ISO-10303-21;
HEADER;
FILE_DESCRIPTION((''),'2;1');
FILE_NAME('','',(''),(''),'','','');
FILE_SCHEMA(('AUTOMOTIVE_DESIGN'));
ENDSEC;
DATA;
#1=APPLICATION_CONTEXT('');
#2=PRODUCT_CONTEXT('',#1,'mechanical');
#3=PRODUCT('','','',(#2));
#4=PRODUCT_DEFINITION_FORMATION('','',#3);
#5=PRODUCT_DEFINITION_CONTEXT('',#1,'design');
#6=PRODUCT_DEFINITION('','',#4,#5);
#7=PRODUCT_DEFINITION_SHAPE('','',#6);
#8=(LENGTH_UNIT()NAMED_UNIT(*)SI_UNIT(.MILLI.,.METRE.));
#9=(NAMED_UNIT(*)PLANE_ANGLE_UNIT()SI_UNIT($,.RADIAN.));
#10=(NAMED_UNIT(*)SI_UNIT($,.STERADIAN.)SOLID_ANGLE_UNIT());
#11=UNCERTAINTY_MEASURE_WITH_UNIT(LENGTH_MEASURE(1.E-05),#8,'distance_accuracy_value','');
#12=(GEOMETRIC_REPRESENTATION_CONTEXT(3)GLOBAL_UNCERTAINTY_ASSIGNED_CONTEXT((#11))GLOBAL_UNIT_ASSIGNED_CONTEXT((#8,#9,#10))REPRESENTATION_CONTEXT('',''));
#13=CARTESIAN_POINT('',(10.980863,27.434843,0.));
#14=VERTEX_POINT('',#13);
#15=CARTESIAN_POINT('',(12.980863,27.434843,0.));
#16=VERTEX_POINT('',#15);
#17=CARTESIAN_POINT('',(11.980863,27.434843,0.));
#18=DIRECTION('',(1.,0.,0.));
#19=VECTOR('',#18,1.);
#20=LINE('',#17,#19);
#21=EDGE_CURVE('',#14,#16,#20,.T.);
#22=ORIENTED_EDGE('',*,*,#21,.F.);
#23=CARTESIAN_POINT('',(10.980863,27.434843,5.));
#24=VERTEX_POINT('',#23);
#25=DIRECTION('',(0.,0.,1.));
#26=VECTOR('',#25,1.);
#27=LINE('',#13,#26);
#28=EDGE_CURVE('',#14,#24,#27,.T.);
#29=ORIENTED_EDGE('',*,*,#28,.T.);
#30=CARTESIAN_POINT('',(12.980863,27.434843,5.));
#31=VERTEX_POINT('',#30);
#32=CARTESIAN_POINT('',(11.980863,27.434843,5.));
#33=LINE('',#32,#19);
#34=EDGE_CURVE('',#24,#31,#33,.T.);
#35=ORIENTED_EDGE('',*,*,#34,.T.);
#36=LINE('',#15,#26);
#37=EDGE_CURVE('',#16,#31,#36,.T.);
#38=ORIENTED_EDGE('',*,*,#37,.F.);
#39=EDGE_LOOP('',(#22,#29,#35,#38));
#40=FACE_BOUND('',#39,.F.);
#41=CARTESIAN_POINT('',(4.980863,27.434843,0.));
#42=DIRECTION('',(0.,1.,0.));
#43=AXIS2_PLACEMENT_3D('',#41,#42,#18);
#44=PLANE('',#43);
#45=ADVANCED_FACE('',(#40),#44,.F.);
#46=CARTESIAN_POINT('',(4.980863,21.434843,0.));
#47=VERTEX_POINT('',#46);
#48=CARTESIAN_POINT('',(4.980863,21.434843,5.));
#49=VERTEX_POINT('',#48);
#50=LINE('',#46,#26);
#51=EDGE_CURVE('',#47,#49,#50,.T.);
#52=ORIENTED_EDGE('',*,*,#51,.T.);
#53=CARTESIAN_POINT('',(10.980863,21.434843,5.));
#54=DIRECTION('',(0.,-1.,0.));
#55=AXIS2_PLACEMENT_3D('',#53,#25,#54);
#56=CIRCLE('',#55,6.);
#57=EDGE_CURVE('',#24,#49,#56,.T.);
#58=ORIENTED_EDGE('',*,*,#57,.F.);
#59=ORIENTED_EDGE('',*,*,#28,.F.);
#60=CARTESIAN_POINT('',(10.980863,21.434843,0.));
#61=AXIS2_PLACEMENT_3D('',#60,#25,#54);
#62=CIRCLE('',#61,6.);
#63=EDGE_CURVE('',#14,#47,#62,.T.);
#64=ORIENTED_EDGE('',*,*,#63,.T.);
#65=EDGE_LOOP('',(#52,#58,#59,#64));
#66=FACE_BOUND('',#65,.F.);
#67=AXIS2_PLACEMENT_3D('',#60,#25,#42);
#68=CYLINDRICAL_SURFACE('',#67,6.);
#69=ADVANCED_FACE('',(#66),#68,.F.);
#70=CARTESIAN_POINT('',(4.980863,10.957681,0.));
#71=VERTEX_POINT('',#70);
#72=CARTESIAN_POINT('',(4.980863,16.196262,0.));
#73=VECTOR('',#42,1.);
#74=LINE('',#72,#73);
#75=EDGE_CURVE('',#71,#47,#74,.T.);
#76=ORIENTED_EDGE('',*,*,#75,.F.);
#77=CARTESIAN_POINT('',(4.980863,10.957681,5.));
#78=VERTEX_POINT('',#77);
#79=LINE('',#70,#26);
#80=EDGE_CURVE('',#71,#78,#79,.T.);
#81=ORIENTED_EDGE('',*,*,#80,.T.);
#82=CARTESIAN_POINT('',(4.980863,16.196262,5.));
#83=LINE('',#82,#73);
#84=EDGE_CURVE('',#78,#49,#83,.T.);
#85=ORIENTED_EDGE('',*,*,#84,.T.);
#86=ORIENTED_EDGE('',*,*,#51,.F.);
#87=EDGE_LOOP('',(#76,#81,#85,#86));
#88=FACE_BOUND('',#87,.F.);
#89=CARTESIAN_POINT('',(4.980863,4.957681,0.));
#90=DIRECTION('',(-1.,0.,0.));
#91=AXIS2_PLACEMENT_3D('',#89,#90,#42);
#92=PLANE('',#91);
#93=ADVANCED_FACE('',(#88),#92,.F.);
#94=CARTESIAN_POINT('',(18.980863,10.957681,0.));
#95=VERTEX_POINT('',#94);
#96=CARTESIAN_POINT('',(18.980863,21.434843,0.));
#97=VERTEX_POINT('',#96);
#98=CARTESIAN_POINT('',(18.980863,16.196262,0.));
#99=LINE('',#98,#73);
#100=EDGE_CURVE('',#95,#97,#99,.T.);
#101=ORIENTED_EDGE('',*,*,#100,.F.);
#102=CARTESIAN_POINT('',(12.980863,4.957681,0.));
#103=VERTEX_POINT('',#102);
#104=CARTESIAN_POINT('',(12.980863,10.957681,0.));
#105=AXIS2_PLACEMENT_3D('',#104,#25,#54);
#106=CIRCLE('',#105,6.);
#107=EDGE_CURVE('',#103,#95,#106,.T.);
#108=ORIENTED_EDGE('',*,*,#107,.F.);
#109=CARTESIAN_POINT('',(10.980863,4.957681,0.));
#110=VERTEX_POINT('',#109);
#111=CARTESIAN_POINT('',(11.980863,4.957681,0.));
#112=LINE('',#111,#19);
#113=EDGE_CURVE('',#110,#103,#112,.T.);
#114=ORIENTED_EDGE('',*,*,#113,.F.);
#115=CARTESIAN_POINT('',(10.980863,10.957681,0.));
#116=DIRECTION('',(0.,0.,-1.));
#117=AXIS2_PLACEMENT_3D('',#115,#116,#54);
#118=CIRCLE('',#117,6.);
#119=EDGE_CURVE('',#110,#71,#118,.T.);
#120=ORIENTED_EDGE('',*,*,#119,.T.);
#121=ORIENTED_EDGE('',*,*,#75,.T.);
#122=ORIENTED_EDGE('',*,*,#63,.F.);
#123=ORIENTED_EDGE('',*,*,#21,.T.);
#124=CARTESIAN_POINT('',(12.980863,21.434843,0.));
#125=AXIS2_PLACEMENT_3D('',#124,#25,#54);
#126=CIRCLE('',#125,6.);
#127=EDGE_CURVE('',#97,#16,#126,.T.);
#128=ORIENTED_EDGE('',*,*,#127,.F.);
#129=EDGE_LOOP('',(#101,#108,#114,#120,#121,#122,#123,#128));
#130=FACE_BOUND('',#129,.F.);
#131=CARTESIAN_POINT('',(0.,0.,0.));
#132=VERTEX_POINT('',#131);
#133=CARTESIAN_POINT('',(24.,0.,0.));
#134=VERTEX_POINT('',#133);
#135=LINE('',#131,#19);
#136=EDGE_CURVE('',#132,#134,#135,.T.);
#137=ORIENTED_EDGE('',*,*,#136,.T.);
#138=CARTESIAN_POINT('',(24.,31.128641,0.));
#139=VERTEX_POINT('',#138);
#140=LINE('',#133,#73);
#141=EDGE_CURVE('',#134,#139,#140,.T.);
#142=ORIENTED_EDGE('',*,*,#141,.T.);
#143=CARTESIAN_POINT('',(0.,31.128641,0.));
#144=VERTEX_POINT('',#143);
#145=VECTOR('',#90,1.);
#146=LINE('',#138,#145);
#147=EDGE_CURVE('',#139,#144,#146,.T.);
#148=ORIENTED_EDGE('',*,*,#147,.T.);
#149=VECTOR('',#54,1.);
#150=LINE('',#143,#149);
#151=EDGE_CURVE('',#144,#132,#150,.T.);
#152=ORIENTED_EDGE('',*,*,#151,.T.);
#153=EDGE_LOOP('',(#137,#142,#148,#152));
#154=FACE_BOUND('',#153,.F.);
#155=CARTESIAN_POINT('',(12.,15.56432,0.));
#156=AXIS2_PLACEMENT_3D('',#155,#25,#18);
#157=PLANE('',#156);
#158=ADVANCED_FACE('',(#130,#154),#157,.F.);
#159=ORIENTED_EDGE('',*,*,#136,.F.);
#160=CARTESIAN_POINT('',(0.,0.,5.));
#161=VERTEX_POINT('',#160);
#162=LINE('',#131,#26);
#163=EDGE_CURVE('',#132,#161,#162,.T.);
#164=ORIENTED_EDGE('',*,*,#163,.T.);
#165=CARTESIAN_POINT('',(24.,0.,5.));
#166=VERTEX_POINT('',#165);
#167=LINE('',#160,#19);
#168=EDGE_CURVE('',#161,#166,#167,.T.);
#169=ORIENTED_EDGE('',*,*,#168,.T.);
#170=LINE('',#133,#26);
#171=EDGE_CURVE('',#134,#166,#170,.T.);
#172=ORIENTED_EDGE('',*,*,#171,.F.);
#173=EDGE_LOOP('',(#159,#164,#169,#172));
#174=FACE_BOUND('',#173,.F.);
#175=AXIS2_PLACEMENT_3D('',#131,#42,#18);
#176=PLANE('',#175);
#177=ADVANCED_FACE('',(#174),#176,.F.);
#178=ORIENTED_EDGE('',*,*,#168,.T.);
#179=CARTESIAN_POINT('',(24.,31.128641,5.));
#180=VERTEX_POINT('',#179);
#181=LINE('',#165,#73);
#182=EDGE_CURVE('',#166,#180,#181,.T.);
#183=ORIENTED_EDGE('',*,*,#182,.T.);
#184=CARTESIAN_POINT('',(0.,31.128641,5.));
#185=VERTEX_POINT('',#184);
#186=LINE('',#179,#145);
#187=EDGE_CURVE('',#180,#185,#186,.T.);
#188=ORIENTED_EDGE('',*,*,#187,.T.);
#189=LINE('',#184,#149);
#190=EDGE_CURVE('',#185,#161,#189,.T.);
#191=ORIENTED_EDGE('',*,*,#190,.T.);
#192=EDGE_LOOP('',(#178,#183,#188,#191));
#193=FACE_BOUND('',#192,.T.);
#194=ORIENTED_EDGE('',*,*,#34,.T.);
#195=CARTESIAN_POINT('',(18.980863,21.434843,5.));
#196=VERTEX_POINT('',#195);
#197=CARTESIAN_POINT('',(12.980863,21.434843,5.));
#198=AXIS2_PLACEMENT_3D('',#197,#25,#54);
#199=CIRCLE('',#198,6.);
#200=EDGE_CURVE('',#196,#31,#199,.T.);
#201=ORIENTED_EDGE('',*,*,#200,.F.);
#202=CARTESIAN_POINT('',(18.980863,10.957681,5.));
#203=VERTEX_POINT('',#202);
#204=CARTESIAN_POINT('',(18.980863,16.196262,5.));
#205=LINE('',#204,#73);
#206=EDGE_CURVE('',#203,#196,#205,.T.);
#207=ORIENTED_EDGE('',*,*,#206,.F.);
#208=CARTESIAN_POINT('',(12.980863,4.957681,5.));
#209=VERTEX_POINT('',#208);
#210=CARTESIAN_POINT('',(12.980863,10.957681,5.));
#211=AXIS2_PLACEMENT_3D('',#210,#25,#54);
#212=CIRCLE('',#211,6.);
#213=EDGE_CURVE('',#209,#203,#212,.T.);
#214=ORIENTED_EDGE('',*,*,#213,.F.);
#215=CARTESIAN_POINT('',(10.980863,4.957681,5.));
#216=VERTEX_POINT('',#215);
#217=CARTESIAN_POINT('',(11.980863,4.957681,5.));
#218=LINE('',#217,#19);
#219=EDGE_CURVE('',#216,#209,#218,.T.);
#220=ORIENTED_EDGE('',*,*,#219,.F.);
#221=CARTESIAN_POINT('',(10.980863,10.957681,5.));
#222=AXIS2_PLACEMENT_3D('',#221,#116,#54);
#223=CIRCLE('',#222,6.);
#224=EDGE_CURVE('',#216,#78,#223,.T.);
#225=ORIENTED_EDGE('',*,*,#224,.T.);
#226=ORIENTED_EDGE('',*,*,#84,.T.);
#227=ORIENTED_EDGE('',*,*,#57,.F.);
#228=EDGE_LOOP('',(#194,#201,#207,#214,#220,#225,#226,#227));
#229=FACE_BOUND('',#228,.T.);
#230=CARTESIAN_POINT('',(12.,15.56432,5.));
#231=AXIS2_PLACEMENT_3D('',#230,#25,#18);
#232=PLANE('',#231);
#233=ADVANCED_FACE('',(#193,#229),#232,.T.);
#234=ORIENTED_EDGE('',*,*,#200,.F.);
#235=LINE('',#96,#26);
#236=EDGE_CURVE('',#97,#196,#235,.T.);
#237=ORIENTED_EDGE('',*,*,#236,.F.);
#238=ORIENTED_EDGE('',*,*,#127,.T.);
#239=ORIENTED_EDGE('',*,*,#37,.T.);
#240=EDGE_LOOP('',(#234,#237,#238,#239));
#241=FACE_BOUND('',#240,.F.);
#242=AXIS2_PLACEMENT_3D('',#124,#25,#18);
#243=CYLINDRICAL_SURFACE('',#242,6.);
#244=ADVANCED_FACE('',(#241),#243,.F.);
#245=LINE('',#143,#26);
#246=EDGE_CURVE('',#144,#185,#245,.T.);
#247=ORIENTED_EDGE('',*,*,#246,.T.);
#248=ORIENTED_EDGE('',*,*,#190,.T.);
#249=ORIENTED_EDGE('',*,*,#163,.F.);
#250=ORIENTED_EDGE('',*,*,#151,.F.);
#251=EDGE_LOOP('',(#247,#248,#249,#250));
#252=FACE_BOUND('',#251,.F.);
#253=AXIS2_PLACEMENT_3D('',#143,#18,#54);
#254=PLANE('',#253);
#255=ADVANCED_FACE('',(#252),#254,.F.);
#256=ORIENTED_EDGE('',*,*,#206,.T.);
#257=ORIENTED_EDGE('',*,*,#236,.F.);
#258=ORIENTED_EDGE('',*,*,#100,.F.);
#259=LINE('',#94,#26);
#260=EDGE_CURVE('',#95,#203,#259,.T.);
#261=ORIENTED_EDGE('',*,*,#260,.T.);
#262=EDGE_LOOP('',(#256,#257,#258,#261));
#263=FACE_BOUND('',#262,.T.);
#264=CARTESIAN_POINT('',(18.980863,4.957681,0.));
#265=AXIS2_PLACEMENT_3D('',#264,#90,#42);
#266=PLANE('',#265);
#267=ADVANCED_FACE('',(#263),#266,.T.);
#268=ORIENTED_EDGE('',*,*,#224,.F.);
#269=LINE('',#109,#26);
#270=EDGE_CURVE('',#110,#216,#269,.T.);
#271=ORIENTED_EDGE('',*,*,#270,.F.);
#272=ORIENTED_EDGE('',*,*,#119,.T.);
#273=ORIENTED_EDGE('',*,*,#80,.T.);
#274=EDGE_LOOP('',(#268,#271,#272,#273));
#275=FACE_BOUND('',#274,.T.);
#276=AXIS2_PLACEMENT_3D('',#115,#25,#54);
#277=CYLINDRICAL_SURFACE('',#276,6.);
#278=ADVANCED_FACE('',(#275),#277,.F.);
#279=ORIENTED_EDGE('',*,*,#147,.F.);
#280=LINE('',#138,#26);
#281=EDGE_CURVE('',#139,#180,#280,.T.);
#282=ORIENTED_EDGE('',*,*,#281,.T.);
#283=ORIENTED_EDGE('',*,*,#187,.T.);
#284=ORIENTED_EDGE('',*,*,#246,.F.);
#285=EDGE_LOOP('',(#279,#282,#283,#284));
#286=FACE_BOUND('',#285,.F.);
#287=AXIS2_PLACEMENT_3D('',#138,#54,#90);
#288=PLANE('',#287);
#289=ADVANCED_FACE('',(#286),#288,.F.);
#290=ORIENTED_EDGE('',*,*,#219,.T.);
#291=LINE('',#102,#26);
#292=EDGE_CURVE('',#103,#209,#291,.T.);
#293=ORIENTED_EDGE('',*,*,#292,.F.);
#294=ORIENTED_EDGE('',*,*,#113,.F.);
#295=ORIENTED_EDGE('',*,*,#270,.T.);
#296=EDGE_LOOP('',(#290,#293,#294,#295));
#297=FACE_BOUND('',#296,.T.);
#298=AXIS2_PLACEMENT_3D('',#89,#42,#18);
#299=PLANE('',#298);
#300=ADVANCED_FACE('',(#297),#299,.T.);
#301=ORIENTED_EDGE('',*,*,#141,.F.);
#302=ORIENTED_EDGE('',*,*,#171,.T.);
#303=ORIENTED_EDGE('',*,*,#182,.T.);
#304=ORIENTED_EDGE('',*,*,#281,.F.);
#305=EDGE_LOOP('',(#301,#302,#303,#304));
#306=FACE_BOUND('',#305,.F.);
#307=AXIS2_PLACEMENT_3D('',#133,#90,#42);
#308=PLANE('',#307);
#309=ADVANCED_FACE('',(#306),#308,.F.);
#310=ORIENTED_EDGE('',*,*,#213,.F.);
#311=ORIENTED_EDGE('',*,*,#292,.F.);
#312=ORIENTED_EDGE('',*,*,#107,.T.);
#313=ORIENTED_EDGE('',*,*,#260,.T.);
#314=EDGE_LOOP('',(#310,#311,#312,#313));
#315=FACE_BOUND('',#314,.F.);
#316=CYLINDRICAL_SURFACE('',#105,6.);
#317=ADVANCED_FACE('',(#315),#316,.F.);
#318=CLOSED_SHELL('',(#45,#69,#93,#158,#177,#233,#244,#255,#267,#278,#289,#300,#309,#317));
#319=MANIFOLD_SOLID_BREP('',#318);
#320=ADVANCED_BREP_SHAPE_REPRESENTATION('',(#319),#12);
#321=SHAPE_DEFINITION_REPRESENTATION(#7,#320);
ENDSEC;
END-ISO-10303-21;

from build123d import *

# Parameters (mm, degrees)
F0_W     = 14
F0_H     = 22.477162
F1_DEPTH = 5
F2_R     = 6


with BuildPart() as f1:
    # F0 (on Top) → F1 (new body)
    with BuildSketch(Plane.XY):
        Polygon((0, 31.128641), (0, 0), (4.980863, 0), (24, 0), (24, 31.128641), align=None)
        with Locations((11.980863, 16.196262)):
            Rectangle(F0_W, F0_H, mode=Mode.SUBTRACT)
    extrude(amount=F1_DEPTH)

    # F2
    f2_edges = [f1.edges().sort_by_distance(p)[0] for p in [
        (4.980863, 27.434843, 2.5),
        (4.980863, 4.957681, 2.5),
        (18.980863, 4.957681, 2.5),
        (18.980863, 27.434843, 2.5),
    ]]
    fillet(f2_edges, radius=F2_R)


solid = f1.part
